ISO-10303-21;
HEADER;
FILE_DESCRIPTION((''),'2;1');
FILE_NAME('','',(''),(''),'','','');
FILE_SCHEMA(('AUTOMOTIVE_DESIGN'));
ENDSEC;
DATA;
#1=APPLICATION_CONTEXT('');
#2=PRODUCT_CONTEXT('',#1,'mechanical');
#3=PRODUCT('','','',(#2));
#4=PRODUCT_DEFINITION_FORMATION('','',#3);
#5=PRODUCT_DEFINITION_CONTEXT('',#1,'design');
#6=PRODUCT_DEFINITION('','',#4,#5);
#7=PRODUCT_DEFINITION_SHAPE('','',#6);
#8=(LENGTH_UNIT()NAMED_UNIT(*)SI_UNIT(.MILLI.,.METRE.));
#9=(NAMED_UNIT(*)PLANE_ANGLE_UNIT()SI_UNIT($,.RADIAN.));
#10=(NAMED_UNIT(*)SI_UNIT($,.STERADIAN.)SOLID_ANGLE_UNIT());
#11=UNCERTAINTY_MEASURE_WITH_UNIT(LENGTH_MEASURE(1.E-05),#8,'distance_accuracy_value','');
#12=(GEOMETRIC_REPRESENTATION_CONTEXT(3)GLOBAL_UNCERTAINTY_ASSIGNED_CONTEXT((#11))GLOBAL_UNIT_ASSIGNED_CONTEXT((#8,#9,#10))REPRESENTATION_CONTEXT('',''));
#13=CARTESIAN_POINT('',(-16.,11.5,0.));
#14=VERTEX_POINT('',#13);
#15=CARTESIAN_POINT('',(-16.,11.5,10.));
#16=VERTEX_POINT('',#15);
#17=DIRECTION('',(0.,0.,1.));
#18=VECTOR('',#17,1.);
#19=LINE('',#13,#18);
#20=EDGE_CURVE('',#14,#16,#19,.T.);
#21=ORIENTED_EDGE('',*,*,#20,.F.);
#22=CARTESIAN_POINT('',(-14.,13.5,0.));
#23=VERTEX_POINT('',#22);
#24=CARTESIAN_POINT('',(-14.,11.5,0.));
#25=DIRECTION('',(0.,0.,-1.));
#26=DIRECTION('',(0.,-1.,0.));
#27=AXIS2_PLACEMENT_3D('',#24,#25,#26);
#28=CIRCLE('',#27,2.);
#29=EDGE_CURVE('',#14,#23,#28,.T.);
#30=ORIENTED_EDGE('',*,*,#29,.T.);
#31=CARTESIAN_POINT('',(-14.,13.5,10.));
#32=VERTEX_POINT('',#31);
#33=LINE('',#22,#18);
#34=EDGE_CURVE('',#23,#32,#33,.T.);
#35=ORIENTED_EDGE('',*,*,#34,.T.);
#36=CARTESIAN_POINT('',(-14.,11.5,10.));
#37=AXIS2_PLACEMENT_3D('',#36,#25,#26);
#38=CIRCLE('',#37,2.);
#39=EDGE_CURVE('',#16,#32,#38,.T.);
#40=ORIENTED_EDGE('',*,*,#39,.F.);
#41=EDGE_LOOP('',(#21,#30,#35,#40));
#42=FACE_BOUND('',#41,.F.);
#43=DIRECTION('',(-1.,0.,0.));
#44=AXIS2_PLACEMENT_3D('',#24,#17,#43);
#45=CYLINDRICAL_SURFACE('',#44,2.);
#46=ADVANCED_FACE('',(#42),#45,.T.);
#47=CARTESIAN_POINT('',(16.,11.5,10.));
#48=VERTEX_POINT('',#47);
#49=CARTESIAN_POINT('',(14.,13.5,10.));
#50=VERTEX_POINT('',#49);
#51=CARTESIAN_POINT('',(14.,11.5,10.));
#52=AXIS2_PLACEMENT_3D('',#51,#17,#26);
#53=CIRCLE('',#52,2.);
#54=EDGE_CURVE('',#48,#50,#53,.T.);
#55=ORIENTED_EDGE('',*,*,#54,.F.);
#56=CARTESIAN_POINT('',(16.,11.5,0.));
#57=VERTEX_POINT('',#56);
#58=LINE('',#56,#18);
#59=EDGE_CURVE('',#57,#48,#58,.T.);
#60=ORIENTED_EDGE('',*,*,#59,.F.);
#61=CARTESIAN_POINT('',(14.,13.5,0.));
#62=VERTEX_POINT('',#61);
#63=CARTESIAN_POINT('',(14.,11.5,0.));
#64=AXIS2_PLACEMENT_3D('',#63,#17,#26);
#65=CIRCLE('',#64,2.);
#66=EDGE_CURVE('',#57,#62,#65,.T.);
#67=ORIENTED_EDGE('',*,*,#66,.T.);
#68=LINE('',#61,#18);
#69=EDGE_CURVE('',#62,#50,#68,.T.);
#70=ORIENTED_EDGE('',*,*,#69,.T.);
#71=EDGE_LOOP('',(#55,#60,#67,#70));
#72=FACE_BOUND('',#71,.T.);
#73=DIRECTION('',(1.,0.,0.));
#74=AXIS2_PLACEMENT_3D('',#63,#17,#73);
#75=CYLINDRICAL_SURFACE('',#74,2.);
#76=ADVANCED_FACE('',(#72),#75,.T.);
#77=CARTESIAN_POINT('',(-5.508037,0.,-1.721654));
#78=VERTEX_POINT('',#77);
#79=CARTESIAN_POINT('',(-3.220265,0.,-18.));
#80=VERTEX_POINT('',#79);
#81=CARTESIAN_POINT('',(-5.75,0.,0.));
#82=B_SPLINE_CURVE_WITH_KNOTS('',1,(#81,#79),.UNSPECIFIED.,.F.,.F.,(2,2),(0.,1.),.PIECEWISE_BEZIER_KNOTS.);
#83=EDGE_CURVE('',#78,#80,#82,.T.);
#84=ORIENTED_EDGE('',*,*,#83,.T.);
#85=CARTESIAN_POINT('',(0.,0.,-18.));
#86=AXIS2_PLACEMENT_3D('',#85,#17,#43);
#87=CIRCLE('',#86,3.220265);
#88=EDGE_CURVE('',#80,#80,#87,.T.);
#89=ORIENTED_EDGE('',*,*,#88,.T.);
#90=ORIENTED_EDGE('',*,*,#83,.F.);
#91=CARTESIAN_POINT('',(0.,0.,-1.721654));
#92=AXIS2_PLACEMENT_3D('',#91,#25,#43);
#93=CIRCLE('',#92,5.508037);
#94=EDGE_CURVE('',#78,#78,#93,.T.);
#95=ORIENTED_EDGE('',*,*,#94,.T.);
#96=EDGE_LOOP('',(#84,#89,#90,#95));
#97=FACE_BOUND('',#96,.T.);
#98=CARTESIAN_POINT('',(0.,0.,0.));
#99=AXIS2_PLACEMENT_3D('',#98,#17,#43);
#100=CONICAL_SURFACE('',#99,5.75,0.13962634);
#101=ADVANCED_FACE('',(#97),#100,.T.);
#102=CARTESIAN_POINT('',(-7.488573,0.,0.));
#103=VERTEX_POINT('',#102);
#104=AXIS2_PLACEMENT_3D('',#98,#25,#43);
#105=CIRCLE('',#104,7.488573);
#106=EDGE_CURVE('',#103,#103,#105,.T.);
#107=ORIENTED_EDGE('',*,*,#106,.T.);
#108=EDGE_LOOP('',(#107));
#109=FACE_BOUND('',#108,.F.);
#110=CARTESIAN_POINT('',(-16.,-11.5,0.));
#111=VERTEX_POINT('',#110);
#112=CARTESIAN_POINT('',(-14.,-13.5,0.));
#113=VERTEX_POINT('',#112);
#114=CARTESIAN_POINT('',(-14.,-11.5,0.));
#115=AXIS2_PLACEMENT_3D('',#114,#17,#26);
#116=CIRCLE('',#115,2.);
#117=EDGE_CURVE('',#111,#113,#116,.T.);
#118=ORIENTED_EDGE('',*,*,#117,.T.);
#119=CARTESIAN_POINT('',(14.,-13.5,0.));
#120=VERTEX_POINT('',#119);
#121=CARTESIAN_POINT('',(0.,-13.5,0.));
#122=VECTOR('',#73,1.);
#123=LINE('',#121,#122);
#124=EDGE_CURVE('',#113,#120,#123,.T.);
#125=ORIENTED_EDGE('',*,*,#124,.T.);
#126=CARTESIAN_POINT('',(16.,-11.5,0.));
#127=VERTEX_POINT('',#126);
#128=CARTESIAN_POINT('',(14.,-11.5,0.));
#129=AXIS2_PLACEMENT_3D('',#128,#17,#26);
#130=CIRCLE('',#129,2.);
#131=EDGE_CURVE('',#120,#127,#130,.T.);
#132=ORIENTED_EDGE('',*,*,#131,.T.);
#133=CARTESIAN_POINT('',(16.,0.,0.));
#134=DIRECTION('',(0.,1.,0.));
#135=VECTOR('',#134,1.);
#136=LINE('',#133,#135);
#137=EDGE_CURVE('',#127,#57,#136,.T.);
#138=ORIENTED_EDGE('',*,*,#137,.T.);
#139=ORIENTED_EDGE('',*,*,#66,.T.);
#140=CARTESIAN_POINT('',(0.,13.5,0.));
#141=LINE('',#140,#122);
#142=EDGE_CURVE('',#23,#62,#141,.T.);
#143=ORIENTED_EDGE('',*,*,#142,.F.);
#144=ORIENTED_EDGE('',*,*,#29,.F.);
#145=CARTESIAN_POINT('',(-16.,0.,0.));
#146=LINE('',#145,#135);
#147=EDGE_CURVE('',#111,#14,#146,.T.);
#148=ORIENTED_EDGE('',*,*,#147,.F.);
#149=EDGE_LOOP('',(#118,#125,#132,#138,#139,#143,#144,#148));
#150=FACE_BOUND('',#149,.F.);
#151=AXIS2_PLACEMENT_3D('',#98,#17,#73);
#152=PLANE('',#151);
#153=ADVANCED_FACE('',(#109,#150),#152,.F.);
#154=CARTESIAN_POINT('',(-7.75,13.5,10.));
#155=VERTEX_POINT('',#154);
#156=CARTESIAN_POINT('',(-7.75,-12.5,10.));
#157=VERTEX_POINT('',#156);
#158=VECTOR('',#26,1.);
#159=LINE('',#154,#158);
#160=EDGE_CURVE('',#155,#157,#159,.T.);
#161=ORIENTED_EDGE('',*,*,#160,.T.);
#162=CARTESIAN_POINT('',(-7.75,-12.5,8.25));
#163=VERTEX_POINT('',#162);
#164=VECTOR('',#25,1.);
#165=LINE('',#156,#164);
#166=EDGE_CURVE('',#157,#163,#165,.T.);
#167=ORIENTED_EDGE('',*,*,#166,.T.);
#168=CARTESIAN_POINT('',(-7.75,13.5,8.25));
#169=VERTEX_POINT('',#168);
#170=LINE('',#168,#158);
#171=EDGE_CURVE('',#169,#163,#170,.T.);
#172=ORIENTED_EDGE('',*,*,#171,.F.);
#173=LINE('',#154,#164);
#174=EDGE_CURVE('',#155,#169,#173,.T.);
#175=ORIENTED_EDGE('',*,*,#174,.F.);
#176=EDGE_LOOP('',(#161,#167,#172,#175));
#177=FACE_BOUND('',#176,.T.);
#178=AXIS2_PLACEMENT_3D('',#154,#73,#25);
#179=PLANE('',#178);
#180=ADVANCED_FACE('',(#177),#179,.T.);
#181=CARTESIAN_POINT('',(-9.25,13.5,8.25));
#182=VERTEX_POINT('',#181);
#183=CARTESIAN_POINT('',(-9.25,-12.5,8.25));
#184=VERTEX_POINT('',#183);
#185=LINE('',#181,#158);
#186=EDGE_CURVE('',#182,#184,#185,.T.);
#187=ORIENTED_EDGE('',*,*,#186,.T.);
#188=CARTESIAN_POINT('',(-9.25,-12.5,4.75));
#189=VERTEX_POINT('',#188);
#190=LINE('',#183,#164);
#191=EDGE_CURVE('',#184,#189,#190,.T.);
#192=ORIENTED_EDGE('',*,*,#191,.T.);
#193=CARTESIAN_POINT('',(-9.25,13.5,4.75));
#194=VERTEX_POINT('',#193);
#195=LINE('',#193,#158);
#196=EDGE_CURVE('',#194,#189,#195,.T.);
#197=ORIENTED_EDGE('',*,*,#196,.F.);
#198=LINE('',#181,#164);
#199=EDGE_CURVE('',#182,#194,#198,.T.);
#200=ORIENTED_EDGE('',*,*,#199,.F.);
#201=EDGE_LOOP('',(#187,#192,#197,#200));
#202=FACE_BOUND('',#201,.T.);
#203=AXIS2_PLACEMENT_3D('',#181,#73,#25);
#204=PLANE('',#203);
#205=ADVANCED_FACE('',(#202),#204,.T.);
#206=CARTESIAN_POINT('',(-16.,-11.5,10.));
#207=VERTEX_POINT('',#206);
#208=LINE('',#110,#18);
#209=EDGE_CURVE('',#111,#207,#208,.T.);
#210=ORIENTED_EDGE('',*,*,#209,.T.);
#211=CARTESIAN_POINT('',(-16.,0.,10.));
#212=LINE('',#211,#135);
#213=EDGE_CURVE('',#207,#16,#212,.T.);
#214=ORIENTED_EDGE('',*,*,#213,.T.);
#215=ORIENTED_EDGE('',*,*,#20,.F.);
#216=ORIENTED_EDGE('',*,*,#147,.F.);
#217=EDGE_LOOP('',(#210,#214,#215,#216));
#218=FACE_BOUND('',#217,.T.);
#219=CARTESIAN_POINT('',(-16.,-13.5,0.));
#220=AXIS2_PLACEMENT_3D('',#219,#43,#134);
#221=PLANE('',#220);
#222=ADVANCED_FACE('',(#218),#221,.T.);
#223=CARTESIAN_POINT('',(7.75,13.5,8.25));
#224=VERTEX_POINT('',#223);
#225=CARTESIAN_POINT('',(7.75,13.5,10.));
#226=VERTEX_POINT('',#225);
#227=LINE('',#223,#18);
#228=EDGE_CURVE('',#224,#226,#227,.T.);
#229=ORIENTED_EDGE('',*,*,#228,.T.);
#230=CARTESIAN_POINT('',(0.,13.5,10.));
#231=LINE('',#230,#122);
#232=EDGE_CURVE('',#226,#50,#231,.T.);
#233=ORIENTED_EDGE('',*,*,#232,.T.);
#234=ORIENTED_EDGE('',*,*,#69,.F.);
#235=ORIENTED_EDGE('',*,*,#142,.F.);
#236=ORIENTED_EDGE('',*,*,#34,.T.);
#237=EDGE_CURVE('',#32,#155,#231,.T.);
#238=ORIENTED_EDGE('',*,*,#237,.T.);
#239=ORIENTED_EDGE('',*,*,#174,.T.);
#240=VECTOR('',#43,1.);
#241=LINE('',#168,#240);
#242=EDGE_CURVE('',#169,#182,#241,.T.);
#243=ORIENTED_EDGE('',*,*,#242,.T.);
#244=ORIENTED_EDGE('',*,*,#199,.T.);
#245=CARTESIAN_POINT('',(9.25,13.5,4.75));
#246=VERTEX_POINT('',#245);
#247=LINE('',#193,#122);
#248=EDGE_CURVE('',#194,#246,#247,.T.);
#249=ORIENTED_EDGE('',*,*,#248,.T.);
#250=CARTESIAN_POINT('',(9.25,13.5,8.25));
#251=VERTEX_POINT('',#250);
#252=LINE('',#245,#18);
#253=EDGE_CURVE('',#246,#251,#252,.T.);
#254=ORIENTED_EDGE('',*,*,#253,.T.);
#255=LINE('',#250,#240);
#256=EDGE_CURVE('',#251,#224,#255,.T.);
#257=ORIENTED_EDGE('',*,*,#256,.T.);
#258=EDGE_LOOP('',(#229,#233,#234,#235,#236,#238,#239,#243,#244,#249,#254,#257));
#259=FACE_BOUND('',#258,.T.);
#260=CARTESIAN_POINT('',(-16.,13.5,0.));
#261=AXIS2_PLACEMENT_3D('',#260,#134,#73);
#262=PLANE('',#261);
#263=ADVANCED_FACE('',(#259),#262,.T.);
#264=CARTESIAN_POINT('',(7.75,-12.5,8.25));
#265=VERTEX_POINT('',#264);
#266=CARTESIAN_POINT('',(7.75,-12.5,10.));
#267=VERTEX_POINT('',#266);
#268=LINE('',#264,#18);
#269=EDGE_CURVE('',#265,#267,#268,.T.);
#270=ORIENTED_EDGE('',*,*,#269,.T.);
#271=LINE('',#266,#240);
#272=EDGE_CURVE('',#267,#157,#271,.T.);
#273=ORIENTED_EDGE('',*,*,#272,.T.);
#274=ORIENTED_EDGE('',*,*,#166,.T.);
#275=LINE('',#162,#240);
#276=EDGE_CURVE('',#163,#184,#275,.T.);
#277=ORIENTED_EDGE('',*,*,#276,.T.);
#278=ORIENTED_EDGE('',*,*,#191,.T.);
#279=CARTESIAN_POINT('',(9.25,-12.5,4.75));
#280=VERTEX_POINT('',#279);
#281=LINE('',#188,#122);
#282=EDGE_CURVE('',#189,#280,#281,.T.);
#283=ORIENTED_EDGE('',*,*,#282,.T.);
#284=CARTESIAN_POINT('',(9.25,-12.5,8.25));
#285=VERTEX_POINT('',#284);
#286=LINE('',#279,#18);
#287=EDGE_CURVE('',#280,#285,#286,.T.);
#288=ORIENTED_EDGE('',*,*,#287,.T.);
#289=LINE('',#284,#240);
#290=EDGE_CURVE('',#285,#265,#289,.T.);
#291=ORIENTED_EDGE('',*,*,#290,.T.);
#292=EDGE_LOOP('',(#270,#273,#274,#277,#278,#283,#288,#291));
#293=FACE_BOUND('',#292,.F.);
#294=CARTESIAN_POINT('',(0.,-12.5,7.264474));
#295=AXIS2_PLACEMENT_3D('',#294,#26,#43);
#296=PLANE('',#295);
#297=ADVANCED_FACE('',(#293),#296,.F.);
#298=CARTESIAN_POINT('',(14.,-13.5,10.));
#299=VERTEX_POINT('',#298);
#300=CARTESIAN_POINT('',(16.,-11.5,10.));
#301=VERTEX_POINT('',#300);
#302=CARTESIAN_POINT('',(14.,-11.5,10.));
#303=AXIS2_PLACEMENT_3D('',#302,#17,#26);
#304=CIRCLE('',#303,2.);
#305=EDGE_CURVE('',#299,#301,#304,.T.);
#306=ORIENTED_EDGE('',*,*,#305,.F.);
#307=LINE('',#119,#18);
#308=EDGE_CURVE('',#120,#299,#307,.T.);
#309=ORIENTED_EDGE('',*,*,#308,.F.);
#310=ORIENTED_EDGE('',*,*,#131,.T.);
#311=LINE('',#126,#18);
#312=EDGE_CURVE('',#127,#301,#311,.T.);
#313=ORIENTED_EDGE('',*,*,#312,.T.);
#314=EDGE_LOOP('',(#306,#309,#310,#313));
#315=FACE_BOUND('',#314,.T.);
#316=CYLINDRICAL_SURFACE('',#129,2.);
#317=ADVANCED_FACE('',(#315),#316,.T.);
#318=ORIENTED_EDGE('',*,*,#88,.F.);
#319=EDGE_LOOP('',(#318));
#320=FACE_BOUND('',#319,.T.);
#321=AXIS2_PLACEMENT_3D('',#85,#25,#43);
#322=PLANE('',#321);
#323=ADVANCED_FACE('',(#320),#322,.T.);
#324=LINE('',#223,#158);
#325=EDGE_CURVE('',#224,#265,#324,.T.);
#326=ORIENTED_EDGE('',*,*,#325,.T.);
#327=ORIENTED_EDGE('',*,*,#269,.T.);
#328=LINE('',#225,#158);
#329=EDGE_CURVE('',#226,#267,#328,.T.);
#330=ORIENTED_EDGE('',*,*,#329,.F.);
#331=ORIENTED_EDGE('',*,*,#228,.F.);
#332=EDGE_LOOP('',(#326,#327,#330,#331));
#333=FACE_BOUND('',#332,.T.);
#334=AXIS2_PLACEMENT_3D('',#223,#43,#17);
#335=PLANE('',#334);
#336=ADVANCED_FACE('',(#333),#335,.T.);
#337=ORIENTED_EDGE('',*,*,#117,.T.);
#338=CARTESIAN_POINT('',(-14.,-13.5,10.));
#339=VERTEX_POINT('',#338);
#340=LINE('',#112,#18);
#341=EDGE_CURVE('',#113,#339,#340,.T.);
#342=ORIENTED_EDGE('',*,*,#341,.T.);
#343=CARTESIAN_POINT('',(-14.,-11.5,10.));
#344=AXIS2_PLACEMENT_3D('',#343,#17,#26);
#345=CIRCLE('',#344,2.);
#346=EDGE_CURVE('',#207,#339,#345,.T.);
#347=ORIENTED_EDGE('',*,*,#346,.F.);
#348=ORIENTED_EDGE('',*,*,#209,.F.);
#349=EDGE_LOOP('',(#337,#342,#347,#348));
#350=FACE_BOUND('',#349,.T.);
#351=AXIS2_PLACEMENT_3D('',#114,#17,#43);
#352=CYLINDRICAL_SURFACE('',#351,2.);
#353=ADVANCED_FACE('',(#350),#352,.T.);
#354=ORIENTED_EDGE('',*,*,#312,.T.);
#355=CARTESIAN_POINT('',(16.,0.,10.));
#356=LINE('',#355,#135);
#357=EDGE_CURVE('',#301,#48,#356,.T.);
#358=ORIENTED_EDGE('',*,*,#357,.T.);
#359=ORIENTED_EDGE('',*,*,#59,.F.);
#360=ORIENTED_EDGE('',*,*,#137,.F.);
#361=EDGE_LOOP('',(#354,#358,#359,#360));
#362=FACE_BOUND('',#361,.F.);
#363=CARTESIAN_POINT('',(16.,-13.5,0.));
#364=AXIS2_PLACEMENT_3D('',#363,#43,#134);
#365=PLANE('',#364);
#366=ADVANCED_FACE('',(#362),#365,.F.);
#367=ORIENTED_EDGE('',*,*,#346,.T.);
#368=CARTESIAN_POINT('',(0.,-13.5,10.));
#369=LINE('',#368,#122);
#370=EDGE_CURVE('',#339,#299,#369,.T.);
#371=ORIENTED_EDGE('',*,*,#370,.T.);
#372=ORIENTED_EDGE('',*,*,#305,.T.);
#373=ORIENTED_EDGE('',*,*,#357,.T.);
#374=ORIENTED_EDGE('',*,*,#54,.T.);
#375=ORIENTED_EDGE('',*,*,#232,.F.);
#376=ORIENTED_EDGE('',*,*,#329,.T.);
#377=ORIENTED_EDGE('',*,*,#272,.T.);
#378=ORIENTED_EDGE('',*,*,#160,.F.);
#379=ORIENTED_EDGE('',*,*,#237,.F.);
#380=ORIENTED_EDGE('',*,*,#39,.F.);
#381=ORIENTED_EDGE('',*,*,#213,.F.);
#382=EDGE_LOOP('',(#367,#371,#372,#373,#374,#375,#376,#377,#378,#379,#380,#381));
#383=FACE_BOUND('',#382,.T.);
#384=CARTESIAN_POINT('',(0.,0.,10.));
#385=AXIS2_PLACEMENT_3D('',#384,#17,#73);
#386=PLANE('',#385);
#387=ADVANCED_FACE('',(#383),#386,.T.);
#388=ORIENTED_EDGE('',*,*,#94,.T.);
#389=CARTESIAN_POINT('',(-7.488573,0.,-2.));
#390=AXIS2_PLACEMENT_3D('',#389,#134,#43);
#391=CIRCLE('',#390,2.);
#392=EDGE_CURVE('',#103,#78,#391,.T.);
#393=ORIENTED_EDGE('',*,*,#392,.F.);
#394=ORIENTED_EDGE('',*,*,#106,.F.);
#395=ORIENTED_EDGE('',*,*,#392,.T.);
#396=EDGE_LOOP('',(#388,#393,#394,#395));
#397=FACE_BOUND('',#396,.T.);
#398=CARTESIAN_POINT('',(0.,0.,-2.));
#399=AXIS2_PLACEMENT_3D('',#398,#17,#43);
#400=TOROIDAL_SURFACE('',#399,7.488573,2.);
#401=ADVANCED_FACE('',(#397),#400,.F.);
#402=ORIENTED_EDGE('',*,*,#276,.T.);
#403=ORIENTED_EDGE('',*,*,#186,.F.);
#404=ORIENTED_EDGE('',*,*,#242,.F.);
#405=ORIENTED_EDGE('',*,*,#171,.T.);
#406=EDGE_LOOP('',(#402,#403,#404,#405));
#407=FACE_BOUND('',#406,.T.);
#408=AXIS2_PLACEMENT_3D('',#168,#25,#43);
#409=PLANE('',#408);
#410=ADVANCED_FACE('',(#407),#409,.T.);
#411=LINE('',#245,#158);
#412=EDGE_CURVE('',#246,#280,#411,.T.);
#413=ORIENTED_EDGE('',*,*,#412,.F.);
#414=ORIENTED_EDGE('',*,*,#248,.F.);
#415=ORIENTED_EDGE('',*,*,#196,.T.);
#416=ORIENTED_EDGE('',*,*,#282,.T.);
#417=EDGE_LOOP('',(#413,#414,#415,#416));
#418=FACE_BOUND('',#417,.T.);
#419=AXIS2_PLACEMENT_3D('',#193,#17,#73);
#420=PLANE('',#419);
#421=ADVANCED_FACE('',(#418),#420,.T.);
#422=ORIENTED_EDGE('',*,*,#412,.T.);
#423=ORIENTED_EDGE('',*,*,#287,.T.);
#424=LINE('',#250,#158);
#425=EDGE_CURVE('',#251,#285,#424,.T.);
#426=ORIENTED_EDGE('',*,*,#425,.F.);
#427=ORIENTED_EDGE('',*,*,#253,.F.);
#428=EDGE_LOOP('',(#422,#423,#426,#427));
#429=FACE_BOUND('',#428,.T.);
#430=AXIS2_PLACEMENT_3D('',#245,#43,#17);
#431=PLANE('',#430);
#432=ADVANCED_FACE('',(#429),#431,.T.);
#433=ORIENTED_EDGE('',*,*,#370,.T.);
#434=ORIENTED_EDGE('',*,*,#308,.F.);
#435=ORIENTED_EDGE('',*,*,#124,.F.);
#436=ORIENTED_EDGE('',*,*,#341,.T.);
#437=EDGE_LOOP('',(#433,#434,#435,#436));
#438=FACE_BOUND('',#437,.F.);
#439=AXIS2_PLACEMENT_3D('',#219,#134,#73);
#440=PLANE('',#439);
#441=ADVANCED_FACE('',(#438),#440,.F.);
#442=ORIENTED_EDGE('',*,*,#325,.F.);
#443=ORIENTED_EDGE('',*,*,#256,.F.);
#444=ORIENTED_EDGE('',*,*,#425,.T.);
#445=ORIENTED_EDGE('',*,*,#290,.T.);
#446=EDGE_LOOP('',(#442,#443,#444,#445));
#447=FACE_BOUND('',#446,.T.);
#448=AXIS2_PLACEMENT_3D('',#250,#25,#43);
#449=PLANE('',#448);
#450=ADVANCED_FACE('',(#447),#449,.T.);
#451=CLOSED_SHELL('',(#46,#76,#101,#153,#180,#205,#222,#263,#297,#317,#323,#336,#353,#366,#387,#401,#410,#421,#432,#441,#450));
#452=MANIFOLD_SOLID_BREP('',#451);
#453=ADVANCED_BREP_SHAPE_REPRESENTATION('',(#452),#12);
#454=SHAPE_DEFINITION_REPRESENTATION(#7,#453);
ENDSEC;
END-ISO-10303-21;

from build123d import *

# Parameters (mm, degrees)
SKETCH1_W           = 32
SKETCH1_H           = 27
BOSS_EXTRUDE1_DEPTH = 10
FILLET1_R           = 2
CUT_EXTRUDE4_DEPTH  = 26
SKETCH4_R           = 5.75
BOSS_EXTRUDE2_DEPTH = 18
BOSS_EXTRUDE2_TAPER = 8
FILLET2_R           = 2


with BuildPart() as part:
    # Sketch1 → Boss-Extrude1 (new body)
    with BuildSketch(Plane.XY):
        Rectangle(SKETCH1_W, SKETCH1_H)
    extrude(amount=BOSS_EXTRUDE1_DEPTH)

    # Fillet1
    fillet1_edges = [part.edges().sort_by_distance(p)[0] for p in [
        (-16, -13.5, 5),
        (16, -13.5, 5),
        (16, 13.5, 5),
        (-16, 13.5, 5),
    ]]
    fillet(fillet1_edges, radius=FILLET1_R)

    # Sketch2 → Cut-Extrude4 (cut)
    with BuildSketch(Plane(origin=(0, 13.5, 0), x_dir=(1, 0, 0), z_dir=(0, 1, 0))):
        Polygon((-7.75, -10), (-7.75, -8.25), (-9.25, -8.25), (-9.25, -4.75), (9.25, -4.75), (9.25, -8.25), (7.75, -8.25), (7.75, -10), align=None)
    extrude(amount=-CUT_EXTRUDE4_DEPTH, mode=Mode.SUBTRACT)

    # Sketch4 → Boss-Extrude2 (add)
    with BuildSketch(Plane(origin=(0, 0, 0), x_dir=(-1, 0, 0), z_dir=(0, 0, -1))):
        Circle(SKETCH4_R)
    extrude(amount=BOSS_EXTRUDE2_DEPTH, taper=BOSS_EXTRUDE2_TAPER)

    # Fillet2
    fillet2_edges = [part.edges().sort_by_distance(p)[0] for p in [
        (5.75, 0, 0),
    ]]
    fillet(fillet2_edges, radius=FILLET2_R)


solid = part.part
